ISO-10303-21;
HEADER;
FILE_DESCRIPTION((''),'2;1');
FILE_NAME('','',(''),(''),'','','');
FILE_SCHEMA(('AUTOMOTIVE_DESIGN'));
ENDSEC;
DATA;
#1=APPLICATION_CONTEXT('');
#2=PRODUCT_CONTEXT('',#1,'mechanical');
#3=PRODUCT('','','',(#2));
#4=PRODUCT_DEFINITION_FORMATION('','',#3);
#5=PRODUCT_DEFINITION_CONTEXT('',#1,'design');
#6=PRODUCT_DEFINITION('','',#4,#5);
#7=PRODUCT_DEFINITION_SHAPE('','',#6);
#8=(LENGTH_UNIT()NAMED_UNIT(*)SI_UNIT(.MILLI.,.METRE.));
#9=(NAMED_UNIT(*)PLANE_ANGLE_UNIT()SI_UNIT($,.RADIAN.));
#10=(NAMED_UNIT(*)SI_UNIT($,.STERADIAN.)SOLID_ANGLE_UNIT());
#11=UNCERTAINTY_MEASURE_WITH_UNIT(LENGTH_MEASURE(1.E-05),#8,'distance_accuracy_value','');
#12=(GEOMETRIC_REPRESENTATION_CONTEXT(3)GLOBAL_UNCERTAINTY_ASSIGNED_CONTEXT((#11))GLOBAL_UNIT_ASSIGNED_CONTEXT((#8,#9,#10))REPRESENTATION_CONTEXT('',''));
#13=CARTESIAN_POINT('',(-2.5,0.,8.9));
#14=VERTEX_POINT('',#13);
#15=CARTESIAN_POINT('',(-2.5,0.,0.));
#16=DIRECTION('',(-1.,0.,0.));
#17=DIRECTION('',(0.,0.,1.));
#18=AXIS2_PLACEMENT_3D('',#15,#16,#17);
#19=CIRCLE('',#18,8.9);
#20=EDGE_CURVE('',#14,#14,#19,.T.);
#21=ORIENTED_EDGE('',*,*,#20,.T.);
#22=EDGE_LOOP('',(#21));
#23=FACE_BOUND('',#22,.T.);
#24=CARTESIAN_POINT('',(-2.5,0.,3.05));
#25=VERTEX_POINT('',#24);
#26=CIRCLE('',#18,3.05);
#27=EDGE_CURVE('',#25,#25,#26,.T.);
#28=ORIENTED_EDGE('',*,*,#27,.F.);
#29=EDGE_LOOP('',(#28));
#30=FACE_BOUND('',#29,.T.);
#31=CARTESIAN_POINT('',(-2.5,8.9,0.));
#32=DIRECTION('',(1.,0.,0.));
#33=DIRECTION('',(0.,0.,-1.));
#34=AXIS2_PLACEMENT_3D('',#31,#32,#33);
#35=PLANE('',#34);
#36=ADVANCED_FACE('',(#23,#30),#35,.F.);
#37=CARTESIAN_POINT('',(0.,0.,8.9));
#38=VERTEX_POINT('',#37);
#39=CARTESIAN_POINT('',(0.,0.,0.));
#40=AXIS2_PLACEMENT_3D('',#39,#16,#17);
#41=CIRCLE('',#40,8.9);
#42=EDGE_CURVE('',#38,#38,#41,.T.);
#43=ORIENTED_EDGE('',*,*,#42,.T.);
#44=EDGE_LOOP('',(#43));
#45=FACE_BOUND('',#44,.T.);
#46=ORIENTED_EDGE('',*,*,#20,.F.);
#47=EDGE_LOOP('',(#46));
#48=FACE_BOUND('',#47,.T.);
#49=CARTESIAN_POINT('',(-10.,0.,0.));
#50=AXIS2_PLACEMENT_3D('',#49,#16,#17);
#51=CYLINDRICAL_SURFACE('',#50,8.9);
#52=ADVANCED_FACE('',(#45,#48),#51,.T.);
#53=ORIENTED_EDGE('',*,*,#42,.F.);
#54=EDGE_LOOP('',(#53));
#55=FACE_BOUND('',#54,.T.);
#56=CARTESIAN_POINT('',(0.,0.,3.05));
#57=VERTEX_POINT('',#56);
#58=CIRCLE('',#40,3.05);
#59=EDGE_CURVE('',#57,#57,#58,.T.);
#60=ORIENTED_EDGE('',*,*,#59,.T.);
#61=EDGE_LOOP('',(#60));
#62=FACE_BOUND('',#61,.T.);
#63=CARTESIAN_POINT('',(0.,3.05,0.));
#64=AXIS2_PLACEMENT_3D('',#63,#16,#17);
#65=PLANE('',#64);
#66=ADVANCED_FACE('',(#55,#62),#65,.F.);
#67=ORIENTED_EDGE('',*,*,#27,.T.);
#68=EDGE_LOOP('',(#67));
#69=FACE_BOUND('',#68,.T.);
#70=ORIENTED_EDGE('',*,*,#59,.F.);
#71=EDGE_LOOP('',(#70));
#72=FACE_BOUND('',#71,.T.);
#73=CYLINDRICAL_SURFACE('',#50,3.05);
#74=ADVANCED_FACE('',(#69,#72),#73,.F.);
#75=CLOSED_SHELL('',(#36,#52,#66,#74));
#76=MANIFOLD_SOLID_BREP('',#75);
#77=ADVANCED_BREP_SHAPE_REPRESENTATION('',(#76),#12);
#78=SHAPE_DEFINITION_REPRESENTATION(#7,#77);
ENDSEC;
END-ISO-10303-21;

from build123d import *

# Parameters (mm, degrees)
SKETCH1_W = 2.5
SKETCH1_H = 5.85


with BuildPart() as part:
    # Sketch1 → Revolve1 (revolve)
    with BuildSketch(Plane.XY, mode=Mode.PRIVATE) as revolve1_sk:
        with Locations((-1.25, 5.975)):
            Rectangle(SKETCH1_W, SKETCH1_H)
    revolve(revolve1_sk.sketch.rotate(Axis((-10, 0, 0), (1, 0, 0)), 90), axis=Axis((-10, 0, 0), (1, 0, 0)))


solid = part.part
